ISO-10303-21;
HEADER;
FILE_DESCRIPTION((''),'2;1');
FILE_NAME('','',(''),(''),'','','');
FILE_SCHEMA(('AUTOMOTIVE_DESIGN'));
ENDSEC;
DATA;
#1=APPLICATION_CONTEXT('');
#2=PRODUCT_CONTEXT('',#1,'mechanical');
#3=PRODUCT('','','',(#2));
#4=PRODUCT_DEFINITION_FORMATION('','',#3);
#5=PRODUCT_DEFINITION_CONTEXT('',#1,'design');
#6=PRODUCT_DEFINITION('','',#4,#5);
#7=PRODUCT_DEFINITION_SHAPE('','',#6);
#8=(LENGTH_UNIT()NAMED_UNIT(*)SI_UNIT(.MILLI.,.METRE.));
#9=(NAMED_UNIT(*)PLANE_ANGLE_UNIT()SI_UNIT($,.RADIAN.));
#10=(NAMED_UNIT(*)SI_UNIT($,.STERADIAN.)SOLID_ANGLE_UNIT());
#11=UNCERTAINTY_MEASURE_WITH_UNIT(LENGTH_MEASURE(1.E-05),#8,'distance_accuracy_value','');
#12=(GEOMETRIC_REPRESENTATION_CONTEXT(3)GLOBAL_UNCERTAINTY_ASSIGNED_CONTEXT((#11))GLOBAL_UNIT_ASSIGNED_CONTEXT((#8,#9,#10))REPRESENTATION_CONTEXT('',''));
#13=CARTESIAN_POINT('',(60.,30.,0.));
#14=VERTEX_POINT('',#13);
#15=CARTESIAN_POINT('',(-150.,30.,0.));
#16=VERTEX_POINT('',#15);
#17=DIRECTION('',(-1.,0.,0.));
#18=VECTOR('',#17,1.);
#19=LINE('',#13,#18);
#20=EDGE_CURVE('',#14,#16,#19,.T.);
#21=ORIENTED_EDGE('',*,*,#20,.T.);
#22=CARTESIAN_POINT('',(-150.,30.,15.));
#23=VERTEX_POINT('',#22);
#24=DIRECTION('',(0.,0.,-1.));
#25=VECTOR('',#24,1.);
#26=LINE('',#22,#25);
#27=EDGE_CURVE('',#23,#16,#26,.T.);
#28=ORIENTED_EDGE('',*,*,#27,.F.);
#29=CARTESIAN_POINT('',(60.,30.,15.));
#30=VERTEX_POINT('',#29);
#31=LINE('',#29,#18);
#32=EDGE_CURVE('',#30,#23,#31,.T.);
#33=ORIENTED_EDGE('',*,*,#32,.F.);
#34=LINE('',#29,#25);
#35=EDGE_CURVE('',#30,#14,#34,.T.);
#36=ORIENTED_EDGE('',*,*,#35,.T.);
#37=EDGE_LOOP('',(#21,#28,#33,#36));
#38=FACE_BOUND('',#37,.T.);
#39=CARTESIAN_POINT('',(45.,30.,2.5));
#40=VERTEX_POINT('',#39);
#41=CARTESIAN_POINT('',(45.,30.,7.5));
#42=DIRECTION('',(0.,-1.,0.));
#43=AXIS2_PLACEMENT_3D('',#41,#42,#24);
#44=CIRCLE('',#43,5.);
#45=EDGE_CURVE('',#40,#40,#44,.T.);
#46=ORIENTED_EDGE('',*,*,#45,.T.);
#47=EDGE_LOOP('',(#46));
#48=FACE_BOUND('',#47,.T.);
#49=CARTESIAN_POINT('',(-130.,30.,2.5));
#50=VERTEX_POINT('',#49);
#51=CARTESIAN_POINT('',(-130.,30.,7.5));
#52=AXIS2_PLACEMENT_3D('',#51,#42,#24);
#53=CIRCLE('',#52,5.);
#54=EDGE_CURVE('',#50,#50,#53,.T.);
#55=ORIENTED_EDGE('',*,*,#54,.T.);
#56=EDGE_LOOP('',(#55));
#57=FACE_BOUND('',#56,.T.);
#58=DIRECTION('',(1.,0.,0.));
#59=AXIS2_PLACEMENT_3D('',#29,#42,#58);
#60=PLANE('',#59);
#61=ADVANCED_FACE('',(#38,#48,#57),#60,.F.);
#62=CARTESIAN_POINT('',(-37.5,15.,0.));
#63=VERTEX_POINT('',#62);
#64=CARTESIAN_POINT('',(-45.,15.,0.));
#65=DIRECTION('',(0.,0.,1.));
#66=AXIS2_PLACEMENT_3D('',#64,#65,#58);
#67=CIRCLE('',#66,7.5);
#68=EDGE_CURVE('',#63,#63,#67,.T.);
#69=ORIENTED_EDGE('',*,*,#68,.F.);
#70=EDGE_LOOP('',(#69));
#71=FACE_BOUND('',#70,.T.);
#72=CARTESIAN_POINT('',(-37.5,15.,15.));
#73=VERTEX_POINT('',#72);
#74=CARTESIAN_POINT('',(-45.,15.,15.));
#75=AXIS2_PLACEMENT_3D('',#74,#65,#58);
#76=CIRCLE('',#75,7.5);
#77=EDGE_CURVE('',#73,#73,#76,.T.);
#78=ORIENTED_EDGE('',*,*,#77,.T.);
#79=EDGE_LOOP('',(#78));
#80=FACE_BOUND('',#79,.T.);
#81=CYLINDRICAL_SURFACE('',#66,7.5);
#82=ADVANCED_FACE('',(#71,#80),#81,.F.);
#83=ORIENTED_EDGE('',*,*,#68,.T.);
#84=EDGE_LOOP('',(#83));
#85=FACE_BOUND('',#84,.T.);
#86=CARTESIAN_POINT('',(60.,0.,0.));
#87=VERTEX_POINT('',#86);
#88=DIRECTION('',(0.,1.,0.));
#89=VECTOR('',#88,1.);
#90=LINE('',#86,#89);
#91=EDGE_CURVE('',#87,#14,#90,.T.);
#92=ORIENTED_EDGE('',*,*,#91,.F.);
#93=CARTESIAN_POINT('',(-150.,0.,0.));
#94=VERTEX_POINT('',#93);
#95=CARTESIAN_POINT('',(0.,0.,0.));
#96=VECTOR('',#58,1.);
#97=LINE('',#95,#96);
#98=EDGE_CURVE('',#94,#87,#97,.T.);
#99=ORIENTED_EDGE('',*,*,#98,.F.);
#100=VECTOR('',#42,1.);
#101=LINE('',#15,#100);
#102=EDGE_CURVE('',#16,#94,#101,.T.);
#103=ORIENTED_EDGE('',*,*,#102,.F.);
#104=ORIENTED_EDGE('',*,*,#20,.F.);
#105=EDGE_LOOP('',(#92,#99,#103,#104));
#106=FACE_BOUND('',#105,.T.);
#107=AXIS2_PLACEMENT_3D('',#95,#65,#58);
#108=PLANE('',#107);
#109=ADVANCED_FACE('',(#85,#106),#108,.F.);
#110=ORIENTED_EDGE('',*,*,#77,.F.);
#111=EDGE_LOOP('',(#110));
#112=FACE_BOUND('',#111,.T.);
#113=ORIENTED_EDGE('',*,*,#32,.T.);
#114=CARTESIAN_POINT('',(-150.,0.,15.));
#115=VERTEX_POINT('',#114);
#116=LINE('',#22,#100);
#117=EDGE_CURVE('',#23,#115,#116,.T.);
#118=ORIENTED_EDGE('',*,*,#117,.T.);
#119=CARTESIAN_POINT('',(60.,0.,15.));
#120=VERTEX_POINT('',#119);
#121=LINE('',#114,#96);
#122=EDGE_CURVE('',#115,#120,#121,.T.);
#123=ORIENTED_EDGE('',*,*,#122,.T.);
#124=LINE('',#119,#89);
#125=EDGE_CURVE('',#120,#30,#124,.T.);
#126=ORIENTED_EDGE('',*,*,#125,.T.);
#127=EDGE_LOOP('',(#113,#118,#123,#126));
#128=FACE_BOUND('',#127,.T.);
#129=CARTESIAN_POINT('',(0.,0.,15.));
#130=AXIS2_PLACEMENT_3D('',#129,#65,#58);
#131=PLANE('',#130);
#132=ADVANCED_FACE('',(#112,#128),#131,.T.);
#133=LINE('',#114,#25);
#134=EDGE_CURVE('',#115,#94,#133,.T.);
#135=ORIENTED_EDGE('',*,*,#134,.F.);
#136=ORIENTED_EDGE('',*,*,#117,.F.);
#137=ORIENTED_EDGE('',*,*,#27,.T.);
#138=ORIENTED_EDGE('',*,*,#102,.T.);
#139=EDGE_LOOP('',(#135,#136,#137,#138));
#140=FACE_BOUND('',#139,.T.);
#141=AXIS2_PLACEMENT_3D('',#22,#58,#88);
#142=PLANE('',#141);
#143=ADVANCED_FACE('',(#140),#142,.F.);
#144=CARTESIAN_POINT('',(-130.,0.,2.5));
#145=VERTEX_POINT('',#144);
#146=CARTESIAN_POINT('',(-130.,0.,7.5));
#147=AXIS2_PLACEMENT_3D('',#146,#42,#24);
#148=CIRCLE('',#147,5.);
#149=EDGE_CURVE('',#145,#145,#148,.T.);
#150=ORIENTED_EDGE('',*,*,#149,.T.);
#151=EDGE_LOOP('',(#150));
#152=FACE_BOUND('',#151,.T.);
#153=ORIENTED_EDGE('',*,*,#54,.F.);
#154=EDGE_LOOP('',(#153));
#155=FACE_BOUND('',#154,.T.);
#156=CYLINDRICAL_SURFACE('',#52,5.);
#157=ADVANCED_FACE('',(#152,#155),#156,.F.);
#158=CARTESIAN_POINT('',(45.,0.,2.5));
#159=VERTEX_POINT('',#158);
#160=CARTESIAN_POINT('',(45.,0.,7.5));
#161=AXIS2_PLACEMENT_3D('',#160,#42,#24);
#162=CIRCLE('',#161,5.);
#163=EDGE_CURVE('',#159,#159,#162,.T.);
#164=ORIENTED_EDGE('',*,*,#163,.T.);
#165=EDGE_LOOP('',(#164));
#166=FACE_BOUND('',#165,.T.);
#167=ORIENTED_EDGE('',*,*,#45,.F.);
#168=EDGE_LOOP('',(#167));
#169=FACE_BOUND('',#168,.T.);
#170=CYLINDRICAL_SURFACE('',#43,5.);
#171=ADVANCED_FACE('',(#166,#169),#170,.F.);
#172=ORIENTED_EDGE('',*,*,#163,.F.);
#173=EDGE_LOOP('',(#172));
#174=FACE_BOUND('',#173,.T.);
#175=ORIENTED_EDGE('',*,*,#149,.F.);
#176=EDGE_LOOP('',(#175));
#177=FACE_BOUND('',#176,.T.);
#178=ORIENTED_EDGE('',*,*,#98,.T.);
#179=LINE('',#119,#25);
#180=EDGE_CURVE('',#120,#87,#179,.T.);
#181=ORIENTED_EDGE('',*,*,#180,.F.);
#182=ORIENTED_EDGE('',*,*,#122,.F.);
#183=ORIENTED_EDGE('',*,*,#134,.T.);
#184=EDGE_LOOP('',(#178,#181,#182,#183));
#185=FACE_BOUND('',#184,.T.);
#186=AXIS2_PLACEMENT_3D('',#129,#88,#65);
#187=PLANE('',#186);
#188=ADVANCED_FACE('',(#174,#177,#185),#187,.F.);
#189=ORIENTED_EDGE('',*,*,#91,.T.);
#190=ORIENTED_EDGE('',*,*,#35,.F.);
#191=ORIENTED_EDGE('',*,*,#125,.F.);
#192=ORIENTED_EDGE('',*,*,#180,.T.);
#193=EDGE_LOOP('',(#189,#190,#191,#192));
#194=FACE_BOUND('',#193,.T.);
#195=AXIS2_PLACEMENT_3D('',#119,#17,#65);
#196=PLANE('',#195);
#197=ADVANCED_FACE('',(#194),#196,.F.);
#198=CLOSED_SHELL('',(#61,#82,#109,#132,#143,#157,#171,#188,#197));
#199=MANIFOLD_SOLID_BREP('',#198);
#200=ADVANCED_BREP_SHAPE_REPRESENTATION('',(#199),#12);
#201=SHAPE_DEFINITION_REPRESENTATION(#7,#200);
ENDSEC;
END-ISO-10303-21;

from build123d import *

# Parameters (mm, degrees)
RESSALTO_EXTRUS_O1_DEPTH = 15
CORTE_EXTRUS_O1_DEPTH    = 15
ESBO_O3_R                = 5
CORTE_EXTRUS_O2_DEPTH    = 30


with BuildPart() as part:
    # Esboço1 → Ressalto-extrusão1 (new body)
    with BuildSketch(Plane.XY):
        Polygon((0, 0), (60, 0), (60, 30), (-150, 30), (-150, 0), align=None)
    extrude(amount=RESSALTO_EXTRUS_O1_DEPTH)

    # Esboço2 → Corte-extrusão1 (cut)
    with BuildSketch(Plane.XY.offset(15)):
        with BuildLine():
            ThreePointArc((-45, 22.5), (-52.5, 15), (-45, 7.5))
            Line((-45, 7.5), (-45, 22.5))
        make_face()
        with BuildLine():
            Line((-45, 22.5), (-45, 7.5))
            ThreePointArc((-45, 7.5), (-39.696699141, 9.696699141), (-37.5, 15))
            ThreePointArc((-37.5, 15), (-39.696699141, 20.303300859), (-45, 22.5))
        make_face()
    extrude(amount=-CORTE_EXTRUS_O1_DEPTH, mode=Mode.SUBTRACT)

    # Esboço3 → Corte-extrusão2 (cut)
    with BuildSketch(Plane(origin=(0, 0, 0), x_dir=(-1, 0, 0), z_dir=(0, -1, 0))):
        with Locations(Location((130, -7.5, 0), (0, 0, 90))):
            Circle(ESBO_O3_R)
        with Locations(Location((-45, -7.5, 0), (0, 0, 90))):
            Circle(ESBO_O3_R)
    extrude(amount=-CORTE_EXTRUS_O2_DEPTH, mode=Mode.SUBTRACT)


solid = part.part
